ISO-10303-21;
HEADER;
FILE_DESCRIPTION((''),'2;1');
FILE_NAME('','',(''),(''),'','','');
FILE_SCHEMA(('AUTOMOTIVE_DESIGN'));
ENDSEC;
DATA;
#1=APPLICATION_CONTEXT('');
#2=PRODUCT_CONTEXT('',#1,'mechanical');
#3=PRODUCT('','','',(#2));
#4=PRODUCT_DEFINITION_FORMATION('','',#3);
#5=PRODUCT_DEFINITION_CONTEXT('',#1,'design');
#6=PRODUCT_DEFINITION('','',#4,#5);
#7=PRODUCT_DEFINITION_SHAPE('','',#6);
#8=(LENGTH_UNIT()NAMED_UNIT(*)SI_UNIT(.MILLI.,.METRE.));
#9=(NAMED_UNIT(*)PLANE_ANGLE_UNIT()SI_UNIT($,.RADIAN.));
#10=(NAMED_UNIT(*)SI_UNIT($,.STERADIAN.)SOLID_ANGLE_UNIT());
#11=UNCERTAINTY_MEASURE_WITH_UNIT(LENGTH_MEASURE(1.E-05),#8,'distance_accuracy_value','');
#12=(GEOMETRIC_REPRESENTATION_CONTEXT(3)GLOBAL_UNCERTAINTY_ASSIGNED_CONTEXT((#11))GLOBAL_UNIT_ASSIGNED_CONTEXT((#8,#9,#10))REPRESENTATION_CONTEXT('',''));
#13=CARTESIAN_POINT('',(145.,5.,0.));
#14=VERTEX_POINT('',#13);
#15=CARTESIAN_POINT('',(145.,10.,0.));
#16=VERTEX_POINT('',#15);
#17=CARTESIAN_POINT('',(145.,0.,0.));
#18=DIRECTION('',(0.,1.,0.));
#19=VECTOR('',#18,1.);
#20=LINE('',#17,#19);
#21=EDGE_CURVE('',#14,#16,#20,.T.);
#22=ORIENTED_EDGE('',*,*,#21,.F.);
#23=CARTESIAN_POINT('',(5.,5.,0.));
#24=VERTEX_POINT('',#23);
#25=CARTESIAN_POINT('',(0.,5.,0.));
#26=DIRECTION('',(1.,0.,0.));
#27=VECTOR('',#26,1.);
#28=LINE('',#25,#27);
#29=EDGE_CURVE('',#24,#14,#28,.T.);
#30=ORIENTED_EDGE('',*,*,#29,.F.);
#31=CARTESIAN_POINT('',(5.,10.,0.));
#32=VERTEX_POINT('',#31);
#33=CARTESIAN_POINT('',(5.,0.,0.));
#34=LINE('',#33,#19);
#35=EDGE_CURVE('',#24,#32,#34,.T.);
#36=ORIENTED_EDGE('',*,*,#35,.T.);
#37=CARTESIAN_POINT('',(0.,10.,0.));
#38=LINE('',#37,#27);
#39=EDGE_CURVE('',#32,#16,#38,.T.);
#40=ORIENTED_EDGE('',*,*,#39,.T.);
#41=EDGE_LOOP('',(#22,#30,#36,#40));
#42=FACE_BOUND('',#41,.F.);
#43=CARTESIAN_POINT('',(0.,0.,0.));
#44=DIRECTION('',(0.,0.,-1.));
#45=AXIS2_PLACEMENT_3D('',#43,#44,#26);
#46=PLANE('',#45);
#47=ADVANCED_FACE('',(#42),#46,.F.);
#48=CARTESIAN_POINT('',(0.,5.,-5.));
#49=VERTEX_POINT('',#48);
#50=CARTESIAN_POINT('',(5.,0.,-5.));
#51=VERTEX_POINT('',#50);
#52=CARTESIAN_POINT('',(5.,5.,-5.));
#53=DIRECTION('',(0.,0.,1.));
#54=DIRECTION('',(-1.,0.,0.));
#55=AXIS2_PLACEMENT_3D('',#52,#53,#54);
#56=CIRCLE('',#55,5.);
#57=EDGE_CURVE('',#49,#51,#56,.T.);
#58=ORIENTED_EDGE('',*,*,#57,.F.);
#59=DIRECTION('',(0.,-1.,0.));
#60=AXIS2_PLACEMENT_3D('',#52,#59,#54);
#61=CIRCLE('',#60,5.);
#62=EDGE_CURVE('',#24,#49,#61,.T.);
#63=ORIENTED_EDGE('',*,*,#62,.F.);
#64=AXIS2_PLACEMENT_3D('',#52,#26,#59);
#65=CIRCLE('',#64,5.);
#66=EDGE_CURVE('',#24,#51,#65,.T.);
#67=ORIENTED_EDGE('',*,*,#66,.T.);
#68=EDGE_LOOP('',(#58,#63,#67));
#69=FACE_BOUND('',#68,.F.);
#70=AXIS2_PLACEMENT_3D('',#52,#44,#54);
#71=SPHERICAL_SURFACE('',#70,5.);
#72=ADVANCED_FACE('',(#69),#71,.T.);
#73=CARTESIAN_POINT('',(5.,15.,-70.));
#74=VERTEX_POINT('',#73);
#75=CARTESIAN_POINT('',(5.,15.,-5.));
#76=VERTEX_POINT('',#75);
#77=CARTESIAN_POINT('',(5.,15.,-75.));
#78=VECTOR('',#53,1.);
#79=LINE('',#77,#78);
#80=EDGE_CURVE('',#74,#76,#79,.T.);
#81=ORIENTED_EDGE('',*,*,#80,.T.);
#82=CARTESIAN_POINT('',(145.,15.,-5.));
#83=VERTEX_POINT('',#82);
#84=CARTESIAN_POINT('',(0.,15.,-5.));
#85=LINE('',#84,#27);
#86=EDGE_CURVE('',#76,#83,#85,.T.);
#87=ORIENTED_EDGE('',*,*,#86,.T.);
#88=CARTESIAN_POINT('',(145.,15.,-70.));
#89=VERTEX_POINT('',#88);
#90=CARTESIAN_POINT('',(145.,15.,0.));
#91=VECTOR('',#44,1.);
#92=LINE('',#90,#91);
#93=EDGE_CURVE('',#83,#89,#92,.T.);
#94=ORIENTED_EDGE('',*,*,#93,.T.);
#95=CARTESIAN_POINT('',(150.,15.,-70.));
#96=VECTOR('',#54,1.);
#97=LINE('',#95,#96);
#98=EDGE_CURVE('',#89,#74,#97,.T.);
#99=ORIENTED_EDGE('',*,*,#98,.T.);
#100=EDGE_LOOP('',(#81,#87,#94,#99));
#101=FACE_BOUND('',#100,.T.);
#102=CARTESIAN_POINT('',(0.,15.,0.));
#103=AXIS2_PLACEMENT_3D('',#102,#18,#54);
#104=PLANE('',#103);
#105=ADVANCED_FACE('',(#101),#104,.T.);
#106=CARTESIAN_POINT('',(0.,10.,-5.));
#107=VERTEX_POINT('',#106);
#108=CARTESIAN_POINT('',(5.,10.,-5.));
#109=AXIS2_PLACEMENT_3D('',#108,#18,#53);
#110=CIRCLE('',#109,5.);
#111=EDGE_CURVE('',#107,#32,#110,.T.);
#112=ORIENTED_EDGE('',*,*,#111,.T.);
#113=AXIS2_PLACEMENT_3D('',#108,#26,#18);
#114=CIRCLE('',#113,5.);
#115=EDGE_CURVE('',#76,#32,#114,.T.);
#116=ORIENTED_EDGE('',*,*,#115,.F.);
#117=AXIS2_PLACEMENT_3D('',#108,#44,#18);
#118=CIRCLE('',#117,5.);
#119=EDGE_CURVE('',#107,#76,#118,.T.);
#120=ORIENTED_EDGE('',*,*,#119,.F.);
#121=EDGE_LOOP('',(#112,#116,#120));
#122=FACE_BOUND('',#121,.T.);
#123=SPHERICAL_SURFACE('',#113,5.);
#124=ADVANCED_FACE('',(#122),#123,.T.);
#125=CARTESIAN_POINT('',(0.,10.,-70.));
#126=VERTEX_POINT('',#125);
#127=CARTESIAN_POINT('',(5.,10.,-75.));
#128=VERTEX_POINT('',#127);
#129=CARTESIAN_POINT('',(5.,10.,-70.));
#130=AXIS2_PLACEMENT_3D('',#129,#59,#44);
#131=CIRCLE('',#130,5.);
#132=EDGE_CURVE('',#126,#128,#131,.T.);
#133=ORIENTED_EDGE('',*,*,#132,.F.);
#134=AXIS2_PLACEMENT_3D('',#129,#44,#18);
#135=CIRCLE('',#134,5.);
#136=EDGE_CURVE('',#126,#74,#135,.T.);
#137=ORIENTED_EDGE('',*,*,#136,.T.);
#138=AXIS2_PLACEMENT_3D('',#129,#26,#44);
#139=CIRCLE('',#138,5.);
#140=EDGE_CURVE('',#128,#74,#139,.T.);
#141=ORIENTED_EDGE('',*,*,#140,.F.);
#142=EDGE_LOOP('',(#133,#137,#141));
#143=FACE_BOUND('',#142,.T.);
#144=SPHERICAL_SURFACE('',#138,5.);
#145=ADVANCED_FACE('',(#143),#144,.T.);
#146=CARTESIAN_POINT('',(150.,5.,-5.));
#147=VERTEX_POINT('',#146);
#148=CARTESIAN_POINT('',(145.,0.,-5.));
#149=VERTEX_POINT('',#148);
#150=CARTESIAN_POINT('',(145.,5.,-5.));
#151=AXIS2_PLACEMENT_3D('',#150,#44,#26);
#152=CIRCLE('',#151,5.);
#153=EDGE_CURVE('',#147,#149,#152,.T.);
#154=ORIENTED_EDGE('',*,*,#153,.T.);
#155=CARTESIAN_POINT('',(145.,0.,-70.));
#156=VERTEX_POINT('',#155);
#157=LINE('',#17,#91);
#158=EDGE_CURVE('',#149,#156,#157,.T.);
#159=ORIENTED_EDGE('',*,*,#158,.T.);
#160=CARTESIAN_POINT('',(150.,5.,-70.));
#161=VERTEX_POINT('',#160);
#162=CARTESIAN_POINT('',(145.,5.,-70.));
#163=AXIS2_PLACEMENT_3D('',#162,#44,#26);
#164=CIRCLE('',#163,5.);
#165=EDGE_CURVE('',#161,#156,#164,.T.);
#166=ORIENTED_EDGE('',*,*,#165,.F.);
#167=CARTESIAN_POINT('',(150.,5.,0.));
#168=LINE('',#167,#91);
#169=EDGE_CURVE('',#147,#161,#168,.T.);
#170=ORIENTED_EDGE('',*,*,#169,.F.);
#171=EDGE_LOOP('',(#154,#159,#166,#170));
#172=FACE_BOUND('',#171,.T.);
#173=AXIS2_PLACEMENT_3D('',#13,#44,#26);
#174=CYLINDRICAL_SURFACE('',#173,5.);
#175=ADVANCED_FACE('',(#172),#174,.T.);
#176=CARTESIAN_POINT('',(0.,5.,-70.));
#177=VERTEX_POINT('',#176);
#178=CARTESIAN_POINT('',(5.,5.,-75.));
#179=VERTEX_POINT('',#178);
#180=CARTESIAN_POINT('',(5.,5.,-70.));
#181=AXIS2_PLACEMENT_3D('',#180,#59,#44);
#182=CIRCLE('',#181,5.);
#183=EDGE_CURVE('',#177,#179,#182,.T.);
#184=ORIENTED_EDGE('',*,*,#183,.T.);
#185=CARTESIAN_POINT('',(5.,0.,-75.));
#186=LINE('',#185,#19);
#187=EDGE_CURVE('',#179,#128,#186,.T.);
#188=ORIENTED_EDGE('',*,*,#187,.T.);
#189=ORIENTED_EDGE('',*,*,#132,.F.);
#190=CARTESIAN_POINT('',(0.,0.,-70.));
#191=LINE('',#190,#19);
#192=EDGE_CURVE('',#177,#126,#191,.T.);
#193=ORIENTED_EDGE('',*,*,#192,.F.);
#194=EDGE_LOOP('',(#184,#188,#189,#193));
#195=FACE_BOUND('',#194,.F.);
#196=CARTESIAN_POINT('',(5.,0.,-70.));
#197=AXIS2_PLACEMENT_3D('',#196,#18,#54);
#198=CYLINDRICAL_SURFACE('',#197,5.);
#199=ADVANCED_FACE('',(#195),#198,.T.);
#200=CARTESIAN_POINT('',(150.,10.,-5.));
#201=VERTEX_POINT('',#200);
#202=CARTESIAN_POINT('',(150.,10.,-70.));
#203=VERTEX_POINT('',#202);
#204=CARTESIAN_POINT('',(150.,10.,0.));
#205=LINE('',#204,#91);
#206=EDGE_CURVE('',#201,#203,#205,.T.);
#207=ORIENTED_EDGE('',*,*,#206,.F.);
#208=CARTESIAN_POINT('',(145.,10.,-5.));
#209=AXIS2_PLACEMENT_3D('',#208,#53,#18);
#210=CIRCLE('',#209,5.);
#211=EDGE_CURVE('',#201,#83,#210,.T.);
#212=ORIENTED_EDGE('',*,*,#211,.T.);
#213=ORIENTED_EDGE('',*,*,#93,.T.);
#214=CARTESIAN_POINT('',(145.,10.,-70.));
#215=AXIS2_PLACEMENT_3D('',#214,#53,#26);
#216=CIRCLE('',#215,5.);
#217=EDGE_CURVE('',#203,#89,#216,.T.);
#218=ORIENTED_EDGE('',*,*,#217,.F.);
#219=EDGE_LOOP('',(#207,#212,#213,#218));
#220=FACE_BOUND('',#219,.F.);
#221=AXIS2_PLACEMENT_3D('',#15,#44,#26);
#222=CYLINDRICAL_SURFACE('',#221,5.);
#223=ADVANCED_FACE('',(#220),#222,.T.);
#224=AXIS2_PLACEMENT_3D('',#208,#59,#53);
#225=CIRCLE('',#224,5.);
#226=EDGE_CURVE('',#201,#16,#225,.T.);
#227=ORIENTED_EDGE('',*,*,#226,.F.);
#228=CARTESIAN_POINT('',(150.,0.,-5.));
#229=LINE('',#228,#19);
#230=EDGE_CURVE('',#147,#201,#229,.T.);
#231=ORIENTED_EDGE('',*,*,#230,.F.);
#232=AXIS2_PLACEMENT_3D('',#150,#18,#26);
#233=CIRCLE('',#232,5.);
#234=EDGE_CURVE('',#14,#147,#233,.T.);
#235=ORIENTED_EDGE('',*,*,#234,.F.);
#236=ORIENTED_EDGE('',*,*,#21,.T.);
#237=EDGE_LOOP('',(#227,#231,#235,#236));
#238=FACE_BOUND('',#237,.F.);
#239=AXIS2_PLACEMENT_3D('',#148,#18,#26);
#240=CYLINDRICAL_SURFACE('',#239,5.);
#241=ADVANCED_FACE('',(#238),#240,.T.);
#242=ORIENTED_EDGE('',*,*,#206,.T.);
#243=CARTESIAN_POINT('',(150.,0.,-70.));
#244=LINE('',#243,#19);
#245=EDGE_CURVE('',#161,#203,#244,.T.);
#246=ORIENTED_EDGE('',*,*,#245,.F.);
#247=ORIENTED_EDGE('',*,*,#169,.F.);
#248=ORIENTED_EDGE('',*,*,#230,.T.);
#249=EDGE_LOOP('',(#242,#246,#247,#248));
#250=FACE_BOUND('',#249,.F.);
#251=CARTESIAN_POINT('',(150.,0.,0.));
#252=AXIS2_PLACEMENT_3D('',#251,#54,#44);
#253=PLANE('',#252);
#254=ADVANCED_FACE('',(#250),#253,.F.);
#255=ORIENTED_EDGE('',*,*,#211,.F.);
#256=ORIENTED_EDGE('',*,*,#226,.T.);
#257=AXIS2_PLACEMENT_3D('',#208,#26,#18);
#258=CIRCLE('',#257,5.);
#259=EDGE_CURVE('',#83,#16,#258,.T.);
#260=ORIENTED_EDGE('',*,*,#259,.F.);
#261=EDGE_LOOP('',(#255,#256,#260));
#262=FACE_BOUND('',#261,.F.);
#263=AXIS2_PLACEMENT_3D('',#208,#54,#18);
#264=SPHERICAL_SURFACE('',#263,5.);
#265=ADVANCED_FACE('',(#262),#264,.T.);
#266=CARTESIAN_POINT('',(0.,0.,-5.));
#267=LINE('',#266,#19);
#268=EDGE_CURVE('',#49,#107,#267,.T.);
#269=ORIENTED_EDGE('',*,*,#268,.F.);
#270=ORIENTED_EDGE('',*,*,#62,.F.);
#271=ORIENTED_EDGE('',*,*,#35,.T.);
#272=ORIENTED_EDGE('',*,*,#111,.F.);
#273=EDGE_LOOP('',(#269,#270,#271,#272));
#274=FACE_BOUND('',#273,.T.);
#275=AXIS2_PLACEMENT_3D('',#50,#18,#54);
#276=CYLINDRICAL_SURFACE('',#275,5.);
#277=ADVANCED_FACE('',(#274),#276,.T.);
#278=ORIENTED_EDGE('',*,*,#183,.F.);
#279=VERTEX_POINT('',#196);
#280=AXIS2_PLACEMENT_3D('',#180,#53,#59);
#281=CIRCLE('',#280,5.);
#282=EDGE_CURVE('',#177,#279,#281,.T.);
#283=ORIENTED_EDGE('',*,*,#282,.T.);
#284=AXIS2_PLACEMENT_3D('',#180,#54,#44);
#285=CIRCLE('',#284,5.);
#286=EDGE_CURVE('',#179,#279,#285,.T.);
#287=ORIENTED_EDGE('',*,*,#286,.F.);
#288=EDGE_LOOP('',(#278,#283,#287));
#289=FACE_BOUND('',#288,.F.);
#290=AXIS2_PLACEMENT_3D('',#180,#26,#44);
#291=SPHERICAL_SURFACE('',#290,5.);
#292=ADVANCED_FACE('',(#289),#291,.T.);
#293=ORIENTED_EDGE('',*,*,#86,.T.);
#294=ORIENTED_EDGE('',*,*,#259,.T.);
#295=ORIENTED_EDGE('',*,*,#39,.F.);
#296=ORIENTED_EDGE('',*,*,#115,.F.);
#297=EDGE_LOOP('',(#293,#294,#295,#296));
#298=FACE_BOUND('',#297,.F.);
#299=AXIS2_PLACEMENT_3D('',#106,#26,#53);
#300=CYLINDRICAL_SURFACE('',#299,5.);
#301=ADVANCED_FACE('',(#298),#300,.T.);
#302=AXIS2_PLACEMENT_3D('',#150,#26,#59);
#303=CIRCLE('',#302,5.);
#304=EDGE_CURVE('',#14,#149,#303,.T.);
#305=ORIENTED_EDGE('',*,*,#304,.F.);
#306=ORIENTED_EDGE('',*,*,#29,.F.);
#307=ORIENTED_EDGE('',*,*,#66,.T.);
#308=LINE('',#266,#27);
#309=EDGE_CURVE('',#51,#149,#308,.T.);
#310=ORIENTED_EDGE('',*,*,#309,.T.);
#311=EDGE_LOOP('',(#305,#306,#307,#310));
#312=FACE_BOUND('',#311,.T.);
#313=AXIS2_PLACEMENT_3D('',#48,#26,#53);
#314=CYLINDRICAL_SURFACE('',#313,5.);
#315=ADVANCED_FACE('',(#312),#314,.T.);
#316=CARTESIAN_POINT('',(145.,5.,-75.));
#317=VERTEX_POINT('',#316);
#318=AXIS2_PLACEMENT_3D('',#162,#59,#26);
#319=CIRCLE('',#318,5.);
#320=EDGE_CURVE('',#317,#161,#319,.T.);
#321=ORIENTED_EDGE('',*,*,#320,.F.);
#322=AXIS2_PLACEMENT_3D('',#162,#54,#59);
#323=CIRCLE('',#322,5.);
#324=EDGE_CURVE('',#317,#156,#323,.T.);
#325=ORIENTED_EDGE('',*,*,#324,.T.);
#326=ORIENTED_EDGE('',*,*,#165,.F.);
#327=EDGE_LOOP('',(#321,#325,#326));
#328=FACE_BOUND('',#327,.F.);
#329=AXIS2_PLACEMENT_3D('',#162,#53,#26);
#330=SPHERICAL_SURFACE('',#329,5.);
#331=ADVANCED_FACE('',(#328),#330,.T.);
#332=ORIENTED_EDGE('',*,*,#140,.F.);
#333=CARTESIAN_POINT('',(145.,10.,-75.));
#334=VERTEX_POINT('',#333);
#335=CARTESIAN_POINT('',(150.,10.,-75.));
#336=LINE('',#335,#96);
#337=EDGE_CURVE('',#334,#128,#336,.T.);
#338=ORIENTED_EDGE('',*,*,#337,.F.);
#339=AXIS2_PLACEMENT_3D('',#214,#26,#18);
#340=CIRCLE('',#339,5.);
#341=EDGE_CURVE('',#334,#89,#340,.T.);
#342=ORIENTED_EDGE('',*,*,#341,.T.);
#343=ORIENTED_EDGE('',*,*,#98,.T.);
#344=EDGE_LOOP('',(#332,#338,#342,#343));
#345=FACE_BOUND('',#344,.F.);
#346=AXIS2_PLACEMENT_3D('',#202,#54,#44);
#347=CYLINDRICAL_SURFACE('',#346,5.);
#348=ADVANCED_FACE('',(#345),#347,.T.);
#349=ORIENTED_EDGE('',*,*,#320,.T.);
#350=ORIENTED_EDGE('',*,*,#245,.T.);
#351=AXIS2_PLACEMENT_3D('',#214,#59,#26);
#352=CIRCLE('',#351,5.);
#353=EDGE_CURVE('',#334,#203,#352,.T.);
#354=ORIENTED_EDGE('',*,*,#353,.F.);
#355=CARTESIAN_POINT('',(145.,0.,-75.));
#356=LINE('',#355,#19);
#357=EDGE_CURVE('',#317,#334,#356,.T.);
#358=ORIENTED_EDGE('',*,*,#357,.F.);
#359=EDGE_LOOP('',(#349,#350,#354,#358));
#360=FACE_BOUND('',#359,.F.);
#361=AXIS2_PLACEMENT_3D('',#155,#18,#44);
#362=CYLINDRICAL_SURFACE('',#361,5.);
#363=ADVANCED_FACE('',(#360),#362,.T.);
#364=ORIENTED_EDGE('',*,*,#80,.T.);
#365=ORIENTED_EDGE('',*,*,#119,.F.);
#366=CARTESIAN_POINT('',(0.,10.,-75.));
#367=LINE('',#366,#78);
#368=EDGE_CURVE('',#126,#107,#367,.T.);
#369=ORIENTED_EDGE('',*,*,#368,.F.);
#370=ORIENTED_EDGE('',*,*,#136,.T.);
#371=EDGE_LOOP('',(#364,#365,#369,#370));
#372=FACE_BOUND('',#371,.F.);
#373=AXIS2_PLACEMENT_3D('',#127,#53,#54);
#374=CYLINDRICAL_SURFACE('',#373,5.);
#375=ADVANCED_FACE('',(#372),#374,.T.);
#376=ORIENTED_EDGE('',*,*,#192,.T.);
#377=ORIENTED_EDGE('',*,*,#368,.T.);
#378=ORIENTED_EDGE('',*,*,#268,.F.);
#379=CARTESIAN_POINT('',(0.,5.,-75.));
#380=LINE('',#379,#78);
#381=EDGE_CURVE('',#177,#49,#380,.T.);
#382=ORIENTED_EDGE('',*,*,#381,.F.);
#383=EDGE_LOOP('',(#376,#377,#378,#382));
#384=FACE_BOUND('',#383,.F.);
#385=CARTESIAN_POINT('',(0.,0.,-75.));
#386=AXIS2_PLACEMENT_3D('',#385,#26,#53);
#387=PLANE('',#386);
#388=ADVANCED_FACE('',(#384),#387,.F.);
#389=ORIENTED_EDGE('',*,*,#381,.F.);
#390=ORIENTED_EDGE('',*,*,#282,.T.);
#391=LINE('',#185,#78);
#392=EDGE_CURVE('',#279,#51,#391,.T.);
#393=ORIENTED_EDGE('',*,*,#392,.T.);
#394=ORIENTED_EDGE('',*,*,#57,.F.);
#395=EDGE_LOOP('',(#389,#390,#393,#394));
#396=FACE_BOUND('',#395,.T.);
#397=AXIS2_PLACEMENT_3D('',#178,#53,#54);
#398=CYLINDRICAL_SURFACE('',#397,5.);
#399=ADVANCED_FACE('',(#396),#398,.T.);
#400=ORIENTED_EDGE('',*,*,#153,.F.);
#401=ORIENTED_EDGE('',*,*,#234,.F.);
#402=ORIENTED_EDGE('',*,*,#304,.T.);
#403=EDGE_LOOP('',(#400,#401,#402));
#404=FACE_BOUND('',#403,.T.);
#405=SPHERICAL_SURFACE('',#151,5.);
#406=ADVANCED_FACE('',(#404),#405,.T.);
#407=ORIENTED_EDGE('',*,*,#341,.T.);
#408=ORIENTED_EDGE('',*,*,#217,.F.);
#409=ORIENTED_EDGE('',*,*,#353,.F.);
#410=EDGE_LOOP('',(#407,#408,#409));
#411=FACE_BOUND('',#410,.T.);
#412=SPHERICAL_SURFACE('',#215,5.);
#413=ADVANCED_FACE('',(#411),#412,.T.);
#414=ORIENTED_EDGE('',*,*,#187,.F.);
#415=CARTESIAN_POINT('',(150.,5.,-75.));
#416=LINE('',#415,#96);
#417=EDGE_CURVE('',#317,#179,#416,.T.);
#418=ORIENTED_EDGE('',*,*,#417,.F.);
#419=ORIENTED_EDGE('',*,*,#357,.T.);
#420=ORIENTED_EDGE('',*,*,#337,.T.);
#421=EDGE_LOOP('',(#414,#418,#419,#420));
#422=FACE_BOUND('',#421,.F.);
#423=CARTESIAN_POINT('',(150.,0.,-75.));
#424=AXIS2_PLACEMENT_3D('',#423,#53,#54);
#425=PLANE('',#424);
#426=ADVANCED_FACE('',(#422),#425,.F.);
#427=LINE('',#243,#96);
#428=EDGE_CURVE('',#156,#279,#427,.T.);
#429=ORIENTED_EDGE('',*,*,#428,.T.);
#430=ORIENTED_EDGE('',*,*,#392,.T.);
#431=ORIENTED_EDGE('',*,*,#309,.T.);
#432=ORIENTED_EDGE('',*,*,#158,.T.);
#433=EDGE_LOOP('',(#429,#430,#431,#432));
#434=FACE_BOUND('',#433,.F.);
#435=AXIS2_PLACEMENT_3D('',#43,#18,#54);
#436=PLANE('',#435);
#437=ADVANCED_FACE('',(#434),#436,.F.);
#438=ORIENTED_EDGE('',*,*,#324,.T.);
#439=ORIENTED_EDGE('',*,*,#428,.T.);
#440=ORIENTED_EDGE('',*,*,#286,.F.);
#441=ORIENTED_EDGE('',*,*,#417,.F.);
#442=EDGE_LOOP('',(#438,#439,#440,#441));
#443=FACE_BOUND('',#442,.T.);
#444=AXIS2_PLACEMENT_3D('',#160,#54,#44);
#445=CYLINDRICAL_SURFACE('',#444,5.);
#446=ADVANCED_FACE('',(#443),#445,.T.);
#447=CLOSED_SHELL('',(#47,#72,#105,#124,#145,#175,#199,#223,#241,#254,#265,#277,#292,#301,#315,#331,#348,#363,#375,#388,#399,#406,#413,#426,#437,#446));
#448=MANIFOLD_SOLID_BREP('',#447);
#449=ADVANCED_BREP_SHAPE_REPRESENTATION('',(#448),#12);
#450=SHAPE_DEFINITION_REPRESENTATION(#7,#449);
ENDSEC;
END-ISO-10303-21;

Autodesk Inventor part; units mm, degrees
ref_plane "YZ Plane" through (0, 0, 0) normal (1, 0, 0) x (0, 1, 0)
ref_plane "XZ Plane" through (0, 0, 0) normal (0, 1, 0) x (-1, 0, 0)
ref_plane "XY Plane" through (0, 0, 0) normal (0, 0, 1) x (1, 0, 0)
sketch "Sketch1" plane through (0, 0, 0) normal (0, 1, 0) x (-1, 0, 0)
  line L0 (0, 0) -> (-150, 0)
  line L1 (-150, 0) -> (-150, -75)
  line L2 (-150, -75) -> (0, -75)
  line L3 (0, -75) -> (0, 0)
  dimension "d0" = 150
  dimension "d1" = 75
extrude "Extrusion1" add sketch "Sketch1" along normal blind 15
fillet "Fillet1" radius 5 12 edges at (75, 15, 0) (150, 15, -37.5) (150, 0, -37.5) (150, 7.5, -75) (75, 15, -75) (75, 0, -75) (0, 7.5, -75) (0, 15, -37.5) (0, 0, -37.5) (0, 7.5, 0) (150, 7.5, 0) (75, 0, 0)
properties part number "xiaomi"
